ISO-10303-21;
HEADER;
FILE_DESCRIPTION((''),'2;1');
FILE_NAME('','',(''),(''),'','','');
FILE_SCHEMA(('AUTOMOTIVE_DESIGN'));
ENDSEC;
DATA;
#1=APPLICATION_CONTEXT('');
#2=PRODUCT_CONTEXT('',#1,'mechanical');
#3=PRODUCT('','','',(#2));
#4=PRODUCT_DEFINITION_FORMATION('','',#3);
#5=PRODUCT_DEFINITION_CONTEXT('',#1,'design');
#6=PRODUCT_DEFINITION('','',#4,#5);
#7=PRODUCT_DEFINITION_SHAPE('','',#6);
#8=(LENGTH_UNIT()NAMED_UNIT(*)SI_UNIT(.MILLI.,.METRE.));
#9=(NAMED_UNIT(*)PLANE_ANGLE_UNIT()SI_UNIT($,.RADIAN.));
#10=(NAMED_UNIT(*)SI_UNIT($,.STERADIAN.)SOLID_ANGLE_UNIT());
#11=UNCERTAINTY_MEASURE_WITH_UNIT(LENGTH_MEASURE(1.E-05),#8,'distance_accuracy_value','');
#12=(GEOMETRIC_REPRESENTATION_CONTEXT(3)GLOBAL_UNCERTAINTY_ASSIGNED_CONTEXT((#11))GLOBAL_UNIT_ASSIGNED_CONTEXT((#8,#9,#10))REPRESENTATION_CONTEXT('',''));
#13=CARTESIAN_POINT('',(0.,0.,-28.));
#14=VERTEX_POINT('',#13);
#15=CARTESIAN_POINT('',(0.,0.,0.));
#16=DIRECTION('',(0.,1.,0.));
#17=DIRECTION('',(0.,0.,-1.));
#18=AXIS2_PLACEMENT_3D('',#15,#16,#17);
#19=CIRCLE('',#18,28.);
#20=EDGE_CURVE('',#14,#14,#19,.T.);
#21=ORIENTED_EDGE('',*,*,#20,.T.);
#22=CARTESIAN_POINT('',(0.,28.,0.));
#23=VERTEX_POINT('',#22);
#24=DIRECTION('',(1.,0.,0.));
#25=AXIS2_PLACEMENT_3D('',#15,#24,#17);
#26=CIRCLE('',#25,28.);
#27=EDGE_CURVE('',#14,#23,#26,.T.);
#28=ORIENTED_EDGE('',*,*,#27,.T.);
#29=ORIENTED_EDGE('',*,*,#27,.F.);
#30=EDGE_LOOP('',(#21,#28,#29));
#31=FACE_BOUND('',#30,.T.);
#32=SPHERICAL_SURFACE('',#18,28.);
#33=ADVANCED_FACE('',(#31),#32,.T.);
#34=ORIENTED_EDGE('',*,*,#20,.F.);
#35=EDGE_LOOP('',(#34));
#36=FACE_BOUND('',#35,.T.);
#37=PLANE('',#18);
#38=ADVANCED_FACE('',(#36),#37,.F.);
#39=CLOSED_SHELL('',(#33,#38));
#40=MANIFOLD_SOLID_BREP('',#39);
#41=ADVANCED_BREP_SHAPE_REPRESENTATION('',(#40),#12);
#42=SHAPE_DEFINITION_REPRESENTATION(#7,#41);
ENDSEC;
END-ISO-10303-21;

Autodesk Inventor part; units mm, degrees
ref_plane "YZ Plane" through (0, 0, 0) normal (1, 0, 0) x (0, 1, 0)
ref_plane "XZ Plane" through (0, 0, 0) normal (0, 1, 0) x (-1, 0, 0)
ref_plane "XY Plane" through (0, 0, 0) normal (0, 0, 1) x (1, 0, 0)
sketch "Sketch1" plane through (0, 0, 0) normal (1, 0, 0) x (0, 1, 0)
  line L0 (0, 0) -> (28, 0)
  line L1 (0, 0) -> (0, -28)
  line L2 (0, 0) -> (19.799, -19.799) construction
  arc A0 (0, -28) -> (28, 0) centre (0, 0) ccw
  dimension "d0" = 28
  dimension "d1" = 28
  dimension "d2" = 45
  dimension "d3" = 28
revolve "Revolution1" add sketch "Sketch1" angle 360 about axis through (0, 0, 0) along (0, 1, 0)
properties part number "VR Camera Dome"
